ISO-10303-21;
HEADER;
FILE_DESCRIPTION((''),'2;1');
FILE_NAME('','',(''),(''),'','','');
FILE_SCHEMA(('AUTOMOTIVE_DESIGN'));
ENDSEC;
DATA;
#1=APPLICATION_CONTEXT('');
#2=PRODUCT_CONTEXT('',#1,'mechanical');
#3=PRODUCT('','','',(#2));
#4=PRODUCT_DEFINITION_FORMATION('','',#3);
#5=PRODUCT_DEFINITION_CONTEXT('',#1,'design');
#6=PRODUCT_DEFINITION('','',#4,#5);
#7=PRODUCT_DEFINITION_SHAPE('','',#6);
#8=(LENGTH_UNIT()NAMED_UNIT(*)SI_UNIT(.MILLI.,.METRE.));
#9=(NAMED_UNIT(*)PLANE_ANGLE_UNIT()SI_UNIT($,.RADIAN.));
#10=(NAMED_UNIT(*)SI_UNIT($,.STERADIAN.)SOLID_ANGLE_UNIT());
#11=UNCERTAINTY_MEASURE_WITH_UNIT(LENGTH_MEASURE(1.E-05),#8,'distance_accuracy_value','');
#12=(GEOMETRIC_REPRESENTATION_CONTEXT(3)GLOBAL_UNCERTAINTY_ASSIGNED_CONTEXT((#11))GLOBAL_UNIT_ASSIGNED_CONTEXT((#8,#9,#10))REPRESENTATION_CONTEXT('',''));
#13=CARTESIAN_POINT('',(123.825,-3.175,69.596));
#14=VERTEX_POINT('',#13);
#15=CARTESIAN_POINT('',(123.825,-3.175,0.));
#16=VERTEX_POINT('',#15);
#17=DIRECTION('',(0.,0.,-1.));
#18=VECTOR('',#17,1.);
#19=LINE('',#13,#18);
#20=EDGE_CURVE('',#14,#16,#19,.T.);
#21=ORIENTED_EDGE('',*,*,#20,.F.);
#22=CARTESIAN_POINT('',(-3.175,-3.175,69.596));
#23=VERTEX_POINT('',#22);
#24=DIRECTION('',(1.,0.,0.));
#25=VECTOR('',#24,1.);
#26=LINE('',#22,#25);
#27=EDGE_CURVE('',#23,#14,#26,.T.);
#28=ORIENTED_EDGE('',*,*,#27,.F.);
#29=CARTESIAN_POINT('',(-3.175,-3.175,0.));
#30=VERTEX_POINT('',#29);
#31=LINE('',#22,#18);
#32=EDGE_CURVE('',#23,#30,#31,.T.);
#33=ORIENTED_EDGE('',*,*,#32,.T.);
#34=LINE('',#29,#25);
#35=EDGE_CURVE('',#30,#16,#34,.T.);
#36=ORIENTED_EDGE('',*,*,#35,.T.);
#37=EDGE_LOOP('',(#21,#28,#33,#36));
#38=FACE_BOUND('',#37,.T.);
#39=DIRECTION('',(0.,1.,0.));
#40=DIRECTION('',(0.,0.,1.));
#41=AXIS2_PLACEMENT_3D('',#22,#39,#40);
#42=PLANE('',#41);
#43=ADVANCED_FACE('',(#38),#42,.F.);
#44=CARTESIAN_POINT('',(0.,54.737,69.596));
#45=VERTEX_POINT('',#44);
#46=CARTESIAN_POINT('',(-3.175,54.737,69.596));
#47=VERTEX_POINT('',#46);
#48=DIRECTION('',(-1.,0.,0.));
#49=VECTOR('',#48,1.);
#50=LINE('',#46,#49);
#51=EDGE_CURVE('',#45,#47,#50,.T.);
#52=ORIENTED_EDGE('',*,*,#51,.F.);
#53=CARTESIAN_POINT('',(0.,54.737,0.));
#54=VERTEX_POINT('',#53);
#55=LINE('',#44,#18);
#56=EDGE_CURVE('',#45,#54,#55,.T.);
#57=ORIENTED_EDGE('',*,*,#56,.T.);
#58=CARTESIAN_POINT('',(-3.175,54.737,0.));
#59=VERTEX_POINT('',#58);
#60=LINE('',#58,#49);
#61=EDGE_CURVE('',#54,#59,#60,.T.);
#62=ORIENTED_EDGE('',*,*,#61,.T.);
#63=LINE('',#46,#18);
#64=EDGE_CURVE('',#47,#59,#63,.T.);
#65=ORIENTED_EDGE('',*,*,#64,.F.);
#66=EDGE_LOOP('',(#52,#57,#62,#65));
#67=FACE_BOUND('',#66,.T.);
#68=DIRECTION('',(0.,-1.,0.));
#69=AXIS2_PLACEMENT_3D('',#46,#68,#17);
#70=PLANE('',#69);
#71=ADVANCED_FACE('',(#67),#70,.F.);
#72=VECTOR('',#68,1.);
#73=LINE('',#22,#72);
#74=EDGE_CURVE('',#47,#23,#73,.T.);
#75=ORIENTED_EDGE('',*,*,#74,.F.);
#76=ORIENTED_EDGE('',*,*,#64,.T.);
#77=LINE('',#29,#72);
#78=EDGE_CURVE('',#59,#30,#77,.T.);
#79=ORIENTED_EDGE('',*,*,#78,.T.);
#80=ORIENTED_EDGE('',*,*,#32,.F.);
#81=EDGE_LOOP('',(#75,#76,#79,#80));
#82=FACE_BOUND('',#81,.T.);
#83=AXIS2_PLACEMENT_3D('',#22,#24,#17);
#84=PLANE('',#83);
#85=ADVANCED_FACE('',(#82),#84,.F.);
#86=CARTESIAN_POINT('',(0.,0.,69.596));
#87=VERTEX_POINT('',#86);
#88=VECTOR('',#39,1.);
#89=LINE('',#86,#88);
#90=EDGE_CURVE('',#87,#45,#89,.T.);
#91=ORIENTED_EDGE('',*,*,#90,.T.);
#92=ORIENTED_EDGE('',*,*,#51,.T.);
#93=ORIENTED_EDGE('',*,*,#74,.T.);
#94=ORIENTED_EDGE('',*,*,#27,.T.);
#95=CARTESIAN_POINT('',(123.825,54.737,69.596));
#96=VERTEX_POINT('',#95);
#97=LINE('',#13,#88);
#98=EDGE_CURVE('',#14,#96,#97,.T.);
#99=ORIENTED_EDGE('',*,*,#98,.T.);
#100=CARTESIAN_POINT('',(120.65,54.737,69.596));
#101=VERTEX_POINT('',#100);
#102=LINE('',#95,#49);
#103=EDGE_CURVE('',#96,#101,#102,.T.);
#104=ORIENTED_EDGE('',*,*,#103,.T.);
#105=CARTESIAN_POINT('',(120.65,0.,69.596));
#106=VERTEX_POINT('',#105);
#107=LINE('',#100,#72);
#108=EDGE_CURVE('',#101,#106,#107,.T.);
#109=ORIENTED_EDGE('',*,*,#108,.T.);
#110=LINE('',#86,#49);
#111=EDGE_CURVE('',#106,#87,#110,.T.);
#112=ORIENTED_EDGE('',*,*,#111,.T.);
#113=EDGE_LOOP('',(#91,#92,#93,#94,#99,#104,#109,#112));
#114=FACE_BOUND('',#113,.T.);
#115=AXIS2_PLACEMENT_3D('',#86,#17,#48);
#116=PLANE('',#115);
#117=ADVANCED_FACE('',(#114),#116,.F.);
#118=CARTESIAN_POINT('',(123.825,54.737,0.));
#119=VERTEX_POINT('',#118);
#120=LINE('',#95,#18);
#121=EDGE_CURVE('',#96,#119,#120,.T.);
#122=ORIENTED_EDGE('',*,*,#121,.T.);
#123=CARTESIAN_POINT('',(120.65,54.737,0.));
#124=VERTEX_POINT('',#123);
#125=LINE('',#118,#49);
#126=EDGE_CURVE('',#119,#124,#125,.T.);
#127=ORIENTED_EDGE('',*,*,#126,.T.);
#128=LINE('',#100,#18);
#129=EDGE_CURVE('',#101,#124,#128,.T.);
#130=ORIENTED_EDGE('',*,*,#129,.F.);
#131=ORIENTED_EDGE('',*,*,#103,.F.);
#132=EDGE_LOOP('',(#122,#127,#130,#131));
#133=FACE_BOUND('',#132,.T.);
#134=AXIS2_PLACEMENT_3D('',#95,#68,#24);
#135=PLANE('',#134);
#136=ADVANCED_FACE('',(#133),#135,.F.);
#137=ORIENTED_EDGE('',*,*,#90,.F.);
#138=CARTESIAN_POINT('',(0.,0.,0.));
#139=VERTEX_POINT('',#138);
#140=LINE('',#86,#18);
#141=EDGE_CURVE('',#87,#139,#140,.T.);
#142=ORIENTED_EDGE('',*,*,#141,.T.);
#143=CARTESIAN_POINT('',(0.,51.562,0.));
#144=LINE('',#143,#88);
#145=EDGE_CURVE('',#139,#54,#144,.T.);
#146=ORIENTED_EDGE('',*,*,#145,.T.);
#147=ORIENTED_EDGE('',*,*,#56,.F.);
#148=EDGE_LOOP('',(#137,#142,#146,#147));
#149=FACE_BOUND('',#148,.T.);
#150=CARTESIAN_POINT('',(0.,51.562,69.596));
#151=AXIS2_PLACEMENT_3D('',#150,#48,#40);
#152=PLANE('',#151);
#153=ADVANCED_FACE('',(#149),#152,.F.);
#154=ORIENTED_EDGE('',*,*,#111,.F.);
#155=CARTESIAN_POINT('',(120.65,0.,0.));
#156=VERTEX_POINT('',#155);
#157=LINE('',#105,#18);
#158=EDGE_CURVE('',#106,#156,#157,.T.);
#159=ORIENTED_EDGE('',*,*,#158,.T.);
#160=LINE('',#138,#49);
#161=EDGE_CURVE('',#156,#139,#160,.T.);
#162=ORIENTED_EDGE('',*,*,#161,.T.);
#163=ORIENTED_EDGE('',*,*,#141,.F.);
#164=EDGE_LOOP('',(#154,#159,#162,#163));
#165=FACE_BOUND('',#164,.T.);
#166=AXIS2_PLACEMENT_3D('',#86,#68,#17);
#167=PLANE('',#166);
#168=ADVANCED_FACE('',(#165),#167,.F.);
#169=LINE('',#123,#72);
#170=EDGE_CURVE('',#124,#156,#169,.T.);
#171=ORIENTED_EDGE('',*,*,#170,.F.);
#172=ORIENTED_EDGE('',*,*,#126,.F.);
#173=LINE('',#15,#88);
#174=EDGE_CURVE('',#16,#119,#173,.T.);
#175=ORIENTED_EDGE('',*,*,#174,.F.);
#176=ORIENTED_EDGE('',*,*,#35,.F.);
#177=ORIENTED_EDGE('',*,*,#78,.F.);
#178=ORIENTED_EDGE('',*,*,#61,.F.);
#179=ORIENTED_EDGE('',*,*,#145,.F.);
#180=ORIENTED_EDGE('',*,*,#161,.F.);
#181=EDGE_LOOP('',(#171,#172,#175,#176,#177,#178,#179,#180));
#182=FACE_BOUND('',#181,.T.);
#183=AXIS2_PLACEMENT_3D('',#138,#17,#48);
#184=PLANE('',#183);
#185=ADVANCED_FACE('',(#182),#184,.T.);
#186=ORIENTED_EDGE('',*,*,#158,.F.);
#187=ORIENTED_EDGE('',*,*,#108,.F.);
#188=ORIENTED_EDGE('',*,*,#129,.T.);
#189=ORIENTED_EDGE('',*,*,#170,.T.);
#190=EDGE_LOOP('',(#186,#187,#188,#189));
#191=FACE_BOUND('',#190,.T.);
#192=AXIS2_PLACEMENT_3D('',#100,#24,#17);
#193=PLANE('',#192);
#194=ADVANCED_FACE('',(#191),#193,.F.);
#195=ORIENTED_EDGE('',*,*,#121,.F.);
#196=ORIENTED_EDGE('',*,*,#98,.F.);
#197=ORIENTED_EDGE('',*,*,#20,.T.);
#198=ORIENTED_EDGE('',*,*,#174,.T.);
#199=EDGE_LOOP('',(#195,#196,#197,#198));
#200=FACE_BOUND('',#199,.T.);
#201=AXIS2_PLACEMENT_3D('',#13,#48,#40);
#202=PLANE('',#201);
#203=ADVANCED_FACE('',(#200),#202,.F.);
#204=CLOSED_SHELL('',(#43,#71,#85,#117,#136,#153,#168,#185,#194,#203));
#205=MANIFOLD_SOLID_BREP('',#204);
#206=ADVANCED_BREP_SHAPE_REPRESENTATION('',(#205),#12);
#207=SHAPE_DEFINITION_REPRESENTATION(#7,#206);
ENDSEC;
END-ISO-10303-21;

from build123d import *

# Parameters (mm, degrees)
BOSS_EXTRUDE1_DEPTH = 69.596


with BuildPart() as part:
    # Sketch1 → Boss-Extrude1 (new body)
    with BuildSketch(Plane.XY):
        Polygon((-3.175, -3.175), (-3.175, 54.737), (0, 54.737), (0, 51.562), (0, 0), (120.65, 0), (120.65, 54.737), (123.825, 54.737), (123.825, -3.175), align=None)
    extrude(amount=BOSS_EXTRUDE1_DEPTH)


solid = part.part
